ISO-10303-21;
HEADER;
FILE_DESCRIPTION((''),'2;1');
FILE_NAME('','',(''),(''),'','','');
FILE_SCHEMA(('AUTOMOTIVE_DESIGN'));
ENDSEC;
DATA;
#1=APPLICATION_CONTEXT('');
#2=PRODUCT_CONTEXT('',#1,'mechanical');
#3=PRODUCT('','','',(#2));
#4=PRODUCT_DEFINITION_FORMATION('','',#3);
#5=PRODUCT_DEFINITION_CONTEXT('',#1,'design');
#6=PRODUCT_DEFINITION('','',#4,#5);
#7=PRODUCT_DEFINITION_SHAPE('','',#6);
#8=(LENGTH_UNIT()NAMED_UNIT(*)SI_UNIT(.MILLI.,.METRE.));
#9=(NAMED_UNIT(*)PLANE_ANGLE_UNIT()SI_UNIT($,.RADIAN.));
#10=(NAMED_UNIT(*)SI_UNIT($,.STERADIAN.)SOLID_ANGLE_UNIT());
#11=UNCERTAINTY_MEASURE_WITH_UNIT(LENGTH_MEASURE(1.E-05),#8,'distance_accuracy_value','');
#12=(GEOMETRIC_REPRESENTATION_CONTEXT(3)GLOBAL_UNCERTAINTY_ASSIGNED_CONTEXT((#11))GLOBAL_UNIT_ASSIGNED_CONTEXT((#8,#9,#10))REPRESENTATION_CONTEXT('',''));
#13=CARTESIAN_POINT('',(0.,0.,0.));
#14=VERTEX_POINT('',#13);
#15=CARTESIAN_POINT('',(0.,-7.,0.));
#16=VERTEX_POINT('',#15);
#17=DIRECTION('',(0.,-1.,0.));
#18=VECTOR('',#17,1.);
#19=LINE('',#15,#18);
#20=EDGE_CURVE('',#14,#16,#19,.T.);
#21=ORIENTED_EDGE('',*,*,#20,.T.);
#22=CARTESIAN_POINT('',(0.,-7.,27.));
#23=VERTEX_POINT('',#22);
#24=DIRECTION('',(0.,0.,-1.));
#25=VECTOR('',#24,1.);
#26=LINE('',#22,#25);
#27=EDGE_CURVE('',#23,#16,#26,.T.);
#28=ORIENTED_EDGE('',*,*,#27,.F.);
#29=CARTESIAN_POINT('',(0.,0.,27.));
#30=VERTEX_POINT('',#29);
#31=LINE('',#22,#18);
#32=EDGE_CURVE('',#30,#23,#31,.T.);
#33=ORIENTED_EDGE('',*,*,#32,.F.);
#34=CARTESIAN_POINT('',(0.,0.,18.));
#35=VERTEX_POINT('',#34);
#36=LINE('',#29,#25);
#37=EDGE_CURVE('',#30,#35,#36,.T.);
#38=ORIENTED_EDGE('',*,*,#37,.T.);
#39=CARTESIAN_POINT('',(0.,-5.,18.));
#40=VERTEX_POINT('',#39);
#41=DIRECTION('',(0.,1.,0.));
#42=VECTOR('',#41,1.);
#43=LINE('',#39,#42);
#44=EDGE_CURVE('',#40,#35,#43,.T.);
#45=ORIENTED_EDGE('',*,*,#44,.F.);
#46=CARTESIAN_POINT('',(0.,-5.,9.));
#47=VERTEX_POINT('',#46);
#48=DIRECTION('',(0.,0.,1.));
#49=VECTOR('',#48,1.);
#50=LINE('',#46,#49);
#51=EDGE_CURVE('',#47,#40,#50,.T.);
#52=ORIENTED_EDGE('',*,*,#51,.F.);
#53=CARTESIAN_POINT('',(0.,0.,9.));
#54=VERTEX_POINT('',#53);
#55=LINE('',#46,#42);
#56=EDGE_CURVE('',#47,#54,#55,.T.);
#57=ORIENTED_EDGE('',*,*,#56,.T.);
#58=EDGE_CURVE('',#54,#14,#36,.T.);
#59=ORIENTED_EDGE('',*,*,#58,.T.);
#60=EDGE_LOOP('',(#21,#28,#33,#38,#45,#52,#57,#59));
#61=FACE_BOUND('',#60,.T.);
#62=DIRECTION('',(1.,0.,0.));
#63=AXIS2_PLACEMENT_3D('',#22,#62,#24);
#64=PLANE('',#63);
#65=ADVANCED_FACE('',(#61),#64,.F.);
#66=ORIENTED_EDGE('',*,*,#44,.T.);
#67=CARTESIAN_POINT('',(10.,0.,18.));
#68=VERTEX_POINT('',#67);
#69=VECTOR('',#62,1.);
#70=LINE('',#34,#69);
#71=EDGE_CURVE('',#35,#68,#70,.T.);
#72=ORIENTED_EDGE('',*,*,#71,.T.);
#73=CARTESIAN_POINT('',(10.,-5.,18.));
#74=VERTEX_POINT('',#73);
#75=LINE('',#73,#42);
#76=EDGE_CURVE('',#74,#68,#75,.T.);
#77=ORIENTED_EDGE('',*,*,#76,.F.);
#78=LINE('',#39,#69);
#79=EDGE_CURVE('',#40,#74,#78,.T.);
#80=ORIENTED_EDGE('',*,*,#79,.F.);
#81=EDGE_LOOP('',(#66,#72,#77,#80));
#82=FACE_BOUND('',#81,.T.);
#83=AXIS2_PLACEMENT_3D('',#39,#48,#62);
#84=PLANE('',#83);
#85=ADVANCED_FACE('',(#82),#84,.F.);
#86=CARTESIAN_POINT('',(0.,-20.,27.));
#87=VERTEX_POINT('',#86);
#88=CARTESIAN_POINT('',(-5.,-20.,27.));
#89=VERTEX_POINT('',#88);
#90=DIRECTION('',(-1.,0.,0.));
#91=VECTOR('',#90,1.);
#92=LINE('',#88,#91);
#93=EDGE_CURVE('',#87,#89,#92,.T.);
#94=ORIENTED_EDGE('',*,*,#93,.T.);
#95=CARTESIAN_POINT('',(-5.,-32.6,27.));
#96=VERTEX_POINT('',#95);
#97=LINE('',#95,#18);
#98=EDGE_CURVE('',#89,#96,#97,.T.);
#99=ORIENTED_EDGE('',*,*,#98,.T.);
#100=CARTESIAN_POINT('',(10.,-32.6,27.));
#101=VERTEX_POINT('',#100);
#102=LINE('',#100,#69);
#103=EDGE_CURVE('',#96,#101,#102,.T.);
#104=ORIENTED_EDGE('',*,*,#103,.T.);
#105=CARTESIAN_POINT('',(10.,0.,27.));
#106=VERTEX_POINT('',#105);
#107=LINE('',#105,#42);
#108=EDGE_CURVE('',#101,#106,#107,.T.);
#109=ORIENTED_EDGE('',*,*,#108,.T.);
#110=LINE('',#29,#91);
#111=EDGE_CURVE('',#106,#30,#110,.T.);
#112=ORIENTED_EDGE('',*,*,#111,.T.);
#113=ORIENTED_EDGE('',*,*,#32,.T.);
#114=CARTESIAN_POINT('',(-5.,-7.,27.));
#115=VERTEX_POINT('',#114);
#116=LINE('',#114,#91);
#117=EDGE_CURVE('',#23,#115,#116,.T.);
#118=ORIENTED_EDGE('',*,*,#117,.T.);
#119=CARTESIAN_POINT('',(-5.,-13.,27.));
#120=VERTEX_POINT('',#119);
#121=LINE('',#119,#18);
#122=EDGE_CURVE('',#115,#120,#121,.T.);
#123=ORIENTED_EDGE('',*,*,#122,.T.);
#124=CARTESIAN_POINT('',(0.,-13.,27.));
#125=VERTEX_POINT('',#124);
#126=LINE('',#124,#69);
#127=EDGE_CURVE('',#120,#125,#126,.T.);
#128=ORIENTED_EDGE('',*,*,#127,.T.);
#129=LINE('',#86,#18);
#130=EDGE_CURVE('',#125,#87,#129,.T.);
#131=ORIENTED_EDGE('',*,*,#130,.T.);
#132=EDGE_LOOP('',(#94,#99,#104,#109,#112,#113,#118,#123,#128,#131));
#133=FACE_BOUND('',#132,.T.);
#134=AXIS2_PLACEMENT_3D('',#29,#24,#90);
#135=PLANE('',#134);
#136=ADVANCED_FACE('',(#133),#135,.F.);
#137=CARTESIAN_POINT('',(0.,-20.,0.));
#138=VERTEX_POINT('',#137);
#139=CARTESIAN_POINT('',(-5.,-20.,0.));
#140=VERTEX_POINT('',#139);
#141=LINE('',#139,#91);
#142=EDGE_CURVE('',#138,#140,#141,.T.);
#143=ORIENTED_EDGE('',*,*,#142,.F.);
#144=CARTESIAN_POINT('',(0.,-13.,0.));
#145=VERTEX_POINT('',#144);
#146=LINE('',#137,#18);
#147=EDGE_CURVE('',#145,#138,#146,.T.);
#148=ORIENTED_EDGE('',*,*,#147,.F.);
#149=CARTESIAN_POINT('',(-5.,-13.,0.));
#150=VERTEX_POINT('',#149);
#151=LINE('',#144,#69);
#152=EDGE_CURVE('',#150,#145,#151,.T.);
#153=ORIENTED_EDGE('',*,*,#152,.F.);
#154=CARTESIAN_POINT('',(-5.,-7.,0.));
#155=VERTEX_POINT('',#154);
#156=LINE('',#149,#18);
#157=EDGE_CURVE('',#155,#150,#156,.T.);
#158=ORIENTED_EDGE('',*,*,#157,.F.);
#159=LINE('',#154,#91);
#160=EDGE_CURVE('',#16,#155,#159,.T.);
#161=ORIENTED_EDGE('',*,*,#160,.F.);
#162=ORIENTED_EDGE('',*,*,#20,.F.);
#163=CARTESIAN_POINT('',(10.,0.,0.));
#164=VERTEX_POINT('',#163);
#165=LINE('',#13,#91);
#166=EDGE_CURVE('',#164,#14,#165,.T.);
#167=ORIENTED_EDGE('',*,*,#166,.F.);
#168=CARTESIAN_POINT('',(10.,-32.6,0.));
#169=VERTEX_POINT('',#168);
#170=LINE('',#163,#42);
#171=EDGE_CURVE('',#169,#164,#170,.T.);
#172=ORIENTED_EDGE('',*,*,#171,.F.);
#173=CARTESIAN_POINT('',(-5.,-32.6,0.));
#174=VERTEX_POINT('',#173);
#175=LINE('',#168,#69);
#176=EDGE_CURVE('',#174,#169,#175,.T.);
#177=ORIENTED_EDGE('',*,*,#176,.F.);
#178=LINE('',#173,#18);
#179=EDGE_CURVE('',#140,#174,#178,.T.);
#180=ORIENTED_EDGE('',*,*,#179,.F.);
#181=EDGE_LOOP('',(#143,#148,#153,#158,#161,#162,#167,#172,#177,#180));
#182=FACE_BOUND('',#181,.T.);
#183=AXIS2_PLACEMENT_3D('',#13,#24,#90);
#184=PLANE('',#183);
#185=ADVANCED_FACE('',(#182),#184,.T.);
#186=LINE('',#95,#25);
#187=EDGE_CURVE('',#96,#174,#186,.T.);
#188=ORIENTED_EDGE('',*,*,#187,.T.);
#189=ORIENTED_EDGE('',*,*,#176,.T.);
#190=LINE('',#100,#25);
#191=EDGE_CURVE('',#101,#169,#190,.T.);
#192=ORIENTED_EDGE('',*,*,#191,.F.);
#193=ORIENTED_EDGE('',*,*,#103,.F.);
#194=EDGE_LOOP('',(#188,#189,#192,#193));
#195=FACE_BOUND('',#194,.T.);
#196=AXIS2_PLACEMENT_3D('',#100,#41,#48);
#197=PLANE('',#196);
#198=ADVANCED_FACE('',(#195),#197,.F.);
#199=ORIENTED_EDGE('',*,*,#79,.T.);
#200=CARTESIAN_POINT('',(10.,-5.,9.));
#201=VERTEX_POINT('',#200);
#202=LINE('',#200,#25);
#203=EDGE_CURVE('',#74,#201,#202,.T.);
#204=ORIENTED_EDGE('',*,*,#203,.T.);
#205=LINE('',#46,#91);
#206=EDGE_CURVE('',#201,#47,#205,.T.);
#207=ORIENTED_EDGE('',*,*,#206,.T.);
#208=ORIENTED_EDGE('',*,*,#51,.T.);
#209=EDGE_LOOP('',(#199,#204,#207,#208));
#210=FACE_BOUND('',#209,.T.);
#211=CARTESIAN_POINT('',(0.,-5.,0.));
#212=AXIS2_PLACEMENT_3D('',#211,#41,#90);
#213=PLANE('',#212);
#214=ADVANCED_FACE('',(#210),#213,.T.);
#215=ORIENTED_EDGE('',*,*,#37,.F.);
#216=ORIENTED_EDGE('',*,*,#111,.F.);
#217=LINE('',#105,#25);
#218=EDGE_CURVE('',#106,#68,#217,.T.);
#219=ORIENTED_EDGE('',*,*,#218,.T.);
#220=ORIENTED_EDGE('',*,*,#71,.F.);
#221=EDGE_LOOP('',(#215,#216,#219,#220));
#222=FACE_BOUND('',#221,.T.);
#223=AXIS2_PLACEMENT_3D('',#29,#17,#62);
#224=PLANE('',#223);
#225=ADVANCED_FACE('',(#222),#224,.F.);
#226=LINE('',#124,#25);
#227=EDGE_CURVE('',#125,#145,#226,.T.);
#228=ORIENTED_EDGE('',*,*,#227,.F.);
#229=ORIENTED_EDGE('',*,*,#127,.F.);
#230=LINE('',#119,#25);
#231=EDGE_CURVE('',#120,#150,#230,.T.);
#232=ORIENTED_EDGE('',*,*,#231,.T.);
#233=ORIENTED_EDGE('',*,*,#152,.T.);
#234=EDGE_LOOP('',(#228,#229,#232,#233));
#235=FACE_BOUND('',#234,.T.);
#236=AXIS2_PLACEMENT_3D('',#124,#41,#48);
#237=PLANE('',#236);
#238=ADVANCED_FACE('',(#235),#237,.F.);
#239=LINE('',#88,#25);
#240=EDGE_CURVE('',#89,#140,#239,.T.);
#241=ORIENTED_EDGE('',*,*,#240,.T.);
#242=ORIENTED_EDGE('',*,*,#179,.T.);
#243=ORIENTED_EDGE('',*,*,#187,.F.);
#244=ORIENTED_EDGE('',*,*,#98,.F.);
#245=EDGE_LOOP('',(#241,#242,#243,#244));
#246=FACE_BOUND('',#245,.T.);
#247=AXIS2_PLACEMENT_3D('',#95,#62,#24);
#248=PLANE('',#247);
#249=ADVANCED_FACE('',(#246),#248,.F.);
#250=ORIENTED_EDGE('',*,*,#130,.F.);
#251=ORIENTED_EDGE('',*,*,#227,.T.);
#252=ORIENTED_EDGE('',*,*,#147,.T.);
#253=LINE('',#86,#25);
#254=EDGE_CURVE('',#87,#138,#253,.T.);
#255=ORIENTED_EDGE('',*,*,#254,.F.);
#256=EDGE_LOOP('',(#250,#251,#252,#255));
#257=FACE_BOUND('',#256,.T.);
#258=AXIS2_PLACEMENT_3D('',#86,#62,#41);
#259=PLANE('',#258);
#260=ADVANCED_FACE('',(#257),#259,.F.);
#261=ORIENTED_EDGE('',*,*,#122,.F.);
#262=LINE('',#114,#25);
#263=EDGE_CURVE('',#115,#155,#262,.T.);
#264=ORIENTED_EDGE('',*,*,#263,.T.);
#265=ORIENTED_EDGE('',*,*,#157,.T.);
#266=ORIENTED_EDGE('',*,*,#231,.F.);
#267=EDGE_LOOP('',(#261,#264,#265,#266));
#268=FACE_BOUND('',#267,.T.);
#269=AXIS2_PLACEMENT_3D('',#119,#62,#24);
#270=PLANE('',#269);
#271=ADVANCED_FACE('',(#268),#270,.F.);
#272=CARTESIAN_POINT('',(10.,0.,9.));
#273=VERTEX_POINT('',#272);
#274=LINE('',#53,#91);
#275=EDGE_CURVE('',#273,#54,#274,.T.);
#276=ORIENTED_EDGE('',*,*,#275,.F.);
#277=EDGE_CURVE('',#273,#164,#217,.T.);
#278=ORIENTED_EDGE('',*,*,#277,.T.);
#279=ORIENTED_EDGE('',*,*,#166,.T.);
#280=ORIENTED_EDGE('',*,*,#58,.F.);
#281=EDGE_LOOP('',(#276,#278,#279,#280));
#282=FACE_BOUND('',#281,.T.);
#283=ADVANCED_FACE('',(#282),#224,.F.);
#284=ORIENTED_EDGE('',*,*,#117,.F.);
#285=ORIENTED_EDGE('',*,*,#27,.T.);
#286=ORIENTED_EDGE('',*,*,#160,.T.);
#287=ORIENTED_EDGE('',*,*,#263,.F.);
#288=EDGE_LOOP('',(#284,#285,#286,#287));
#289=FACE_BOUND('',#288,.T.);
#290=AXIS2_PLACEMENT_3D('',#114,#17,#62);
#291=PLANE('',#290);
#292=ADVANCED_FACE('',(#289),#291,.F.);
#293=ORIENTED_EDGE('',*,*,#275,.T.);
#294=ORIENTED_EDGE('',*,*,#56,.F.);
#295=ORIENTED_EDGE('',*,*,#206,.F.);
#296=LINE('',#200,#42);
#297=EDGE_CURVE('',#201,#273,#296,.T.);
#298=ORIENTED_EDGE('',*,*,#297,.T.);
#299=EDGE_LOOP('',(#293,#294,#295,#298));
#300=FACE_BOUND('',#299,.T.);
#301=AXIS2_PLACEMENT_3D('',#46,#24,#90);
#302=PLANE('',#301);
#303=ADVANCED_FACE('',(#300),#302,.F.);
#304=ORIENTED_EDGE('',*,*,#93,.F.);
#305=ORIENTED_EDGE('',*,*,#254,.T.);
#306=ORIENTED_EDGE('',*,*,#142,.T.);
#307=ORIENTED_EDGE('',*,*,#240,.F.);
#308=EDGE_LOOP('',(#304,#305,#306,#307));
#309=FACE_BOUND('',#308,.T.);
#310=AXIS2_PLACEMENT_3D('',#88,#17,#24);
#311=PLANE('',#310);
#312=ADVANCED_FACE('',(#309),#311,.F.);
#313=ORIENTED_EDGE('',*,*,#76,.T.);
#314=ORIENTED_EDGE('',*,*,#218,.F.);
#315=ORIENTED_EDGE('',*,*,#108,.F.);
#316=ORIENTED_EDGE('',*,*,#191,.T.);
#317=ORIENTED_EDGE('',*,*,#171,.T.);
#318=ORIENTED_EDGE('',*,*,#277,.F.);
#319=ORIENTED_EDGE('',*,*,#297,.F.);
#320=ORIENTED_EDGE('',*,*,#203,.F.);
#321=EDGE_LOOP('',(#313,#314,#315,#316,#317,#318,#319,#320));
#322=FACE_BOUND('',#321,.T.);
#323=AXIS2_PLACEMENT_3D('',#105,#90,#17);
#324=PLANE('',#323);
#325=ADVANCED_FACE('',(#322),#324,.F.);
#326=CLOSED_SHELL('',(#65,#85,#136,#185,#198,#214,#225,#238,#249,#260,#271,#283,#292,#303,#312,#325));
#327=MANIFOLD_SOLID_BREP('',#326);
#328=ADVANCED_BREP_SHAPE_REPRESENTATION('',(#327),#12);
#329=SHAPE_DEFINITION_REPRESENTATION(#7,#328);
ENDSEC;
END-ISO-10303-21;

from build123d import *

# Parameters (mm, degrees)
EXTRUDE_1_DEPTH     = 27
SKETCH_2_W          = 10
SKETCH_2_H          = 9
CUT_EXTRUDE_1_DEPTH = 5


with BuildPart() as part:
    # 草图1 → 凸台-拉伸1 (new body)
    with BuildSketch(Plane.XY):
        Polygon((0, 0), (10, 0), (10, -32.6), (-5, -32.6), (-5, -20), (0, -20), (0, -13), (-5, -13), (-5, -7), (0, -7), align=None)
    extrude(amount=EXTRUDE_1_DEPTH)

    # 草图2 → 切除-拉伸1 (cut)
    with BuildSketch(Plane(origin=(0, 0, 0), x_dir=(1, 0, 0), z_dir=(0, 1, 0))):
        with Locations((5, -13.5)):
            Rectangle(SKETCH_2_W, SKETCH_2_H)
    extrude(amount=-CUT_EXTRUDE_1_DEPTH, mode=Mode.SUBTRACT)


solid = part.part
